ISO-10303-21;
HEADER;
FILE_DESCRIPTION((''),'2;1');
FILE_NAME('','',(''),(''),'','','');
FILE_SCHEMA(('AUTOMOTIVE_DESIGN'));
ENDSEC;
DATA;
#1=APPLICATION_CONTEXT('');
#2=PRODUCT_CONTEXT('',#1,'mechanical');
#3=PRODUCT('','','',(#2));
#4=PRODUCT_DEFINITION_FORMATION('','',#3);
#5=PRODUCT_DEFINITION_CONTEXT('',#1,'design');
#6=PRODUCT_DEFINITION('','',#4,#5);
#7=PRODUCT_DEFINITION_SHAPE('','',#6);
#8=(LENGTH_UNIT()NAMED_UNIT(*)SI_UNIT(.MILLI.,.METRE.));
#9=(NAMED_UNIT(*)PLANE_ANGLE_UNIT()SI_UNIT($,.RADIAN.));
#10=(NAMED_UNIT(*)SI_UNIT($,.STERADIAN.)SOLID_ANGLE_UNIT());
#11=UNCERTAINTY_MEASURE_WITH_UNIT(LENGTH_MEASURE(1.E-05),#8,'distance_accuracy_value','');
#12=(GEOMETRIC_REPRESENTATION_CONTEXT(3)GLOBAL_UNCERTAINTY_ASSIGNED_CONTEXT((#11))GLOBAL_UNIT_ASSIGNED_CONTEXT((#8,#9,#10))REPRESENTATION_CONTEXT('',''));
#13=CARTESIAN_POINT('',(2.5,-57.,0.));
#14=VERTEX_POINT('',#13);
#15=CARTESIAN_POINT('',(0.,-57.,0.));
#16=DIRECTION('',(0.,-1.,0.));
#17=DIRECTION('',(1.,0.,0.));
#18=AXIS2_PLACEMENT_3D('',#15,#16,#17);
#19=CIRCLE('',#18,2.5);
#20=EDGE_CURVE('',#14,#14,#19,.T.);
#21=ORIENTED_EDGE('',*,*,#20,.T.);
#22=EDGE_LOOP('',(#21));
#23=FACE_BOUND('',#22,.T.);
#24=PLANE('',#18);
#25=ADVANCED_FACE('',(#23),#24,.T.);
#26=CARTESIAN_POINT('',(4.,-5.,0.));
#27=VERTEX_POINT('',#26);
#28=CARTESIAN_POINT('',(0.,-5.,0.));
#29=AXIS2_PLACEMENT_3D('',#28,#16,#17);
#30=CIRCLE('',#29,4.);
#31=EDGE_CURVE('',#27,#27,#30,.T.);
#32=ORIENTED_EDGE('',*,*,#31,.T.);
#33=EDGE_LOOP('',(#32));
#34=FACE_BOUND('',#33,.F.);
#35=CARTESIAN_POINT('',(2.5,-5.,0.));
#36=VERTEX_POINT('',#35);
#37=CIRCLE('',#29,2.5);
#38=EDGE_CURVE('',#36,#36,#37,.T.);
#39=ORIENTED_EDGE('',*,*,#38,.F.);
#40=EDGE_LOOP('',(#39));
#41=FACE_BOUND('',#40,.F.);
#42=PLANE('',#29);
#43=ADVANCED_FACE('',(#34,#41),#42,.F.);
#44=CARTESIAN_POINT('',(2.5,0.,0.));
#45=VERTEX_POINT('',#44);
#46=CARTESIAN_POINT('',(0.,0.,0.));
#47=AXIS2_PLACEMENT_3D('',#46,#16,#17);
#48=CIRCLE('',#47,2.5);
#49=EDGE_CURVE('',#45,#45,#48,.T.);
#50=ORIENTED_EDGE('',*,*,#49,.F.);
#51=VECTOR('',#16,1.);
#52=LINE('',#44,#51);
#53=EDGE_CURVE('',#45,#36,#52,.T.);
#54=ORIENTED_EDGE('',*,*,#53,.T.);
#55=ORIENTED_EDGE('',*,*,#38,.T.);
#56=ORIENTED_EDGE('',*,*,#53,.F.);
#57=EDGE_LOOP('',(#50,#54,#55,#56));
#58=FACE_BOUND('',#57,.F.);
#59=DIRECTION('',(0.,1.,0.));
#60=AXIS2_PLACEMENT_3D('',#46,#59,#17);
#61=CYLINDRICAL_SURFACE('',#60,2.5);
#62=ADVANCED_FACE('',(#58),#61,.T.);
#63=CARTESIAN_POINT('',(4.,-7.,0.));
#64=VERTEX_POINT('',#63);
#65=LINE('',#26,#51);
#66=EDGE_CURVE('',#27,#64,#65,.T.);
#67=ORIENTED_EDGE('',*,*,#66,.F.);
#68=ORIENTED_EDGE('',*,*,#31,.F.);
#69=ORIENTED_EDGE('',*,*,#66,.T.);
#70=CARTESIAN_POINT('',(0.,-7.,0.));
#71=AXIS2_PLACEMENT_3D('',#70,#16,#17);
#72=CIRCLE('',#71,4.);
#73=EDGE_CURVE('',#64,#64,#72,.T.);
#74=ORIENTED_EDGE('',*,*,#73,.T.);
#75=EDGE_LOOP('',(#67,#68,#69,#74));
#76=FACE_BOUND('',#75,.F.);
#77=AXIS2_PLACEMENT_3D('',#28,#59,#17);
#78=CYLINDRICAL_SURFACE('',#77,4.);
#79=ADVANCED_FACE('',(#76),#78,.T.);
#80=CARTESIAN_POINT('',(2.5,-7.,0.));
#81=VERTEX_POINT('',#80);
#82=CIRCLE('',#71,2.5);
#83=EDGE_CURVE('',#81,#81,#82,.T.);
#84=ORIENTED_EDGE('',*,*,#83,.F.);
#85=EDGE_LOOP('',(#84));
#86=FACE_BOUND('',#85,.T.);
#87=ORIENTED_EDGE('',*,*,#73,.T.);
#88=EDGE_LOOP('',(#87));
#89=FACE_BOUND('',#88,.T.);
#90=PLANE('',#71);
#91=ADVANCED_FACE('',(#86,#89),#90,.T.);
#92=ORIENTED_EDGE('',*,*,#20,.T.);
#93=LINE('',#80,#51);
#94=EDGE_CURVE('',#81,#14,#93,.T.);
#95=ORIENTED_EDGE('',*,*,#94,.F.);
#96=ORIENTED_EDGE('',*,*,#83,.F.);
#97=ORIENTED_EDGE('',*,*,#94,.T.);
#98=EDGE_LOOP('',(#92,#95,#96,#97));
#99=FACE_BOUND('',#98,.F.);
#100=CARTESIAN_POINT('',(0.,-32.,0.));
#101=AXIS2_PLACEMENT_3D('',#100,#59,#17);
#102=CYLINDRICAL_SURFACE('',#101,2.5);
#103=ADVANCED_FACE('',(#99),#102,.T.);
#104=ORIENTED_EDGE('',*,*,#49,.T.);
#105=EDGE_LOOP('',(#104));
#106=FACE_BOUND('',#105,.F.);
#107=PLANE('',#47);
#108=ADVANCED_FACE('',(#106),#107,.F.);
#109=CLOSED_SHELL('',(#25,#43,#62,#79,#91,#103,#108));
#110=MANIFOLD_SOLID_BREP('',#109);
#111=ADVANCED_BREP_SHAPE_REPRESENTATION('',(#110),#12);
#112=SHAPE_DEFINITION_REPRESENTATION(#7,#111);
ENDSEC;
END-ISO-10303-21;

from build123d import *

# Parameters (mm, degrees)
F0_R     = 2.5
F1_DEPTH = 5
F2_R     = 4
F3_DEPTH = 2
F4_R     = 2.5
F5_DEPTH = 25
F6_DEPTH = 25


with BuildPart() as f1:
    # F0 (on Front) → F1 (new body)
    with BuildSketch(Plane.XZ):
        Circle(F0_R)
    extrude(amount=F1_DEPTH)

    # F2 (on face) → F3 (join)
    with BuildSketch(Plane.XZ.offset(5)):
        Circle(F2_R)
    extrude(amount=F3_DEPTH)

    # F4 (on face) → F5 (join)
    with BuildSketch(Plane.XZ.offset(7)):
        Circle(F4_R)
    extrude(amount=F5_DEPTH)

    # F6 (add): a face of the model
    f6_faces = [f1.faces().sort_by_distance(p)[0] for p in [
        (0, -32, 0),
    ]]
    extrude(f6_faces, amount=F6_DEPTH)


solid = f1.part
